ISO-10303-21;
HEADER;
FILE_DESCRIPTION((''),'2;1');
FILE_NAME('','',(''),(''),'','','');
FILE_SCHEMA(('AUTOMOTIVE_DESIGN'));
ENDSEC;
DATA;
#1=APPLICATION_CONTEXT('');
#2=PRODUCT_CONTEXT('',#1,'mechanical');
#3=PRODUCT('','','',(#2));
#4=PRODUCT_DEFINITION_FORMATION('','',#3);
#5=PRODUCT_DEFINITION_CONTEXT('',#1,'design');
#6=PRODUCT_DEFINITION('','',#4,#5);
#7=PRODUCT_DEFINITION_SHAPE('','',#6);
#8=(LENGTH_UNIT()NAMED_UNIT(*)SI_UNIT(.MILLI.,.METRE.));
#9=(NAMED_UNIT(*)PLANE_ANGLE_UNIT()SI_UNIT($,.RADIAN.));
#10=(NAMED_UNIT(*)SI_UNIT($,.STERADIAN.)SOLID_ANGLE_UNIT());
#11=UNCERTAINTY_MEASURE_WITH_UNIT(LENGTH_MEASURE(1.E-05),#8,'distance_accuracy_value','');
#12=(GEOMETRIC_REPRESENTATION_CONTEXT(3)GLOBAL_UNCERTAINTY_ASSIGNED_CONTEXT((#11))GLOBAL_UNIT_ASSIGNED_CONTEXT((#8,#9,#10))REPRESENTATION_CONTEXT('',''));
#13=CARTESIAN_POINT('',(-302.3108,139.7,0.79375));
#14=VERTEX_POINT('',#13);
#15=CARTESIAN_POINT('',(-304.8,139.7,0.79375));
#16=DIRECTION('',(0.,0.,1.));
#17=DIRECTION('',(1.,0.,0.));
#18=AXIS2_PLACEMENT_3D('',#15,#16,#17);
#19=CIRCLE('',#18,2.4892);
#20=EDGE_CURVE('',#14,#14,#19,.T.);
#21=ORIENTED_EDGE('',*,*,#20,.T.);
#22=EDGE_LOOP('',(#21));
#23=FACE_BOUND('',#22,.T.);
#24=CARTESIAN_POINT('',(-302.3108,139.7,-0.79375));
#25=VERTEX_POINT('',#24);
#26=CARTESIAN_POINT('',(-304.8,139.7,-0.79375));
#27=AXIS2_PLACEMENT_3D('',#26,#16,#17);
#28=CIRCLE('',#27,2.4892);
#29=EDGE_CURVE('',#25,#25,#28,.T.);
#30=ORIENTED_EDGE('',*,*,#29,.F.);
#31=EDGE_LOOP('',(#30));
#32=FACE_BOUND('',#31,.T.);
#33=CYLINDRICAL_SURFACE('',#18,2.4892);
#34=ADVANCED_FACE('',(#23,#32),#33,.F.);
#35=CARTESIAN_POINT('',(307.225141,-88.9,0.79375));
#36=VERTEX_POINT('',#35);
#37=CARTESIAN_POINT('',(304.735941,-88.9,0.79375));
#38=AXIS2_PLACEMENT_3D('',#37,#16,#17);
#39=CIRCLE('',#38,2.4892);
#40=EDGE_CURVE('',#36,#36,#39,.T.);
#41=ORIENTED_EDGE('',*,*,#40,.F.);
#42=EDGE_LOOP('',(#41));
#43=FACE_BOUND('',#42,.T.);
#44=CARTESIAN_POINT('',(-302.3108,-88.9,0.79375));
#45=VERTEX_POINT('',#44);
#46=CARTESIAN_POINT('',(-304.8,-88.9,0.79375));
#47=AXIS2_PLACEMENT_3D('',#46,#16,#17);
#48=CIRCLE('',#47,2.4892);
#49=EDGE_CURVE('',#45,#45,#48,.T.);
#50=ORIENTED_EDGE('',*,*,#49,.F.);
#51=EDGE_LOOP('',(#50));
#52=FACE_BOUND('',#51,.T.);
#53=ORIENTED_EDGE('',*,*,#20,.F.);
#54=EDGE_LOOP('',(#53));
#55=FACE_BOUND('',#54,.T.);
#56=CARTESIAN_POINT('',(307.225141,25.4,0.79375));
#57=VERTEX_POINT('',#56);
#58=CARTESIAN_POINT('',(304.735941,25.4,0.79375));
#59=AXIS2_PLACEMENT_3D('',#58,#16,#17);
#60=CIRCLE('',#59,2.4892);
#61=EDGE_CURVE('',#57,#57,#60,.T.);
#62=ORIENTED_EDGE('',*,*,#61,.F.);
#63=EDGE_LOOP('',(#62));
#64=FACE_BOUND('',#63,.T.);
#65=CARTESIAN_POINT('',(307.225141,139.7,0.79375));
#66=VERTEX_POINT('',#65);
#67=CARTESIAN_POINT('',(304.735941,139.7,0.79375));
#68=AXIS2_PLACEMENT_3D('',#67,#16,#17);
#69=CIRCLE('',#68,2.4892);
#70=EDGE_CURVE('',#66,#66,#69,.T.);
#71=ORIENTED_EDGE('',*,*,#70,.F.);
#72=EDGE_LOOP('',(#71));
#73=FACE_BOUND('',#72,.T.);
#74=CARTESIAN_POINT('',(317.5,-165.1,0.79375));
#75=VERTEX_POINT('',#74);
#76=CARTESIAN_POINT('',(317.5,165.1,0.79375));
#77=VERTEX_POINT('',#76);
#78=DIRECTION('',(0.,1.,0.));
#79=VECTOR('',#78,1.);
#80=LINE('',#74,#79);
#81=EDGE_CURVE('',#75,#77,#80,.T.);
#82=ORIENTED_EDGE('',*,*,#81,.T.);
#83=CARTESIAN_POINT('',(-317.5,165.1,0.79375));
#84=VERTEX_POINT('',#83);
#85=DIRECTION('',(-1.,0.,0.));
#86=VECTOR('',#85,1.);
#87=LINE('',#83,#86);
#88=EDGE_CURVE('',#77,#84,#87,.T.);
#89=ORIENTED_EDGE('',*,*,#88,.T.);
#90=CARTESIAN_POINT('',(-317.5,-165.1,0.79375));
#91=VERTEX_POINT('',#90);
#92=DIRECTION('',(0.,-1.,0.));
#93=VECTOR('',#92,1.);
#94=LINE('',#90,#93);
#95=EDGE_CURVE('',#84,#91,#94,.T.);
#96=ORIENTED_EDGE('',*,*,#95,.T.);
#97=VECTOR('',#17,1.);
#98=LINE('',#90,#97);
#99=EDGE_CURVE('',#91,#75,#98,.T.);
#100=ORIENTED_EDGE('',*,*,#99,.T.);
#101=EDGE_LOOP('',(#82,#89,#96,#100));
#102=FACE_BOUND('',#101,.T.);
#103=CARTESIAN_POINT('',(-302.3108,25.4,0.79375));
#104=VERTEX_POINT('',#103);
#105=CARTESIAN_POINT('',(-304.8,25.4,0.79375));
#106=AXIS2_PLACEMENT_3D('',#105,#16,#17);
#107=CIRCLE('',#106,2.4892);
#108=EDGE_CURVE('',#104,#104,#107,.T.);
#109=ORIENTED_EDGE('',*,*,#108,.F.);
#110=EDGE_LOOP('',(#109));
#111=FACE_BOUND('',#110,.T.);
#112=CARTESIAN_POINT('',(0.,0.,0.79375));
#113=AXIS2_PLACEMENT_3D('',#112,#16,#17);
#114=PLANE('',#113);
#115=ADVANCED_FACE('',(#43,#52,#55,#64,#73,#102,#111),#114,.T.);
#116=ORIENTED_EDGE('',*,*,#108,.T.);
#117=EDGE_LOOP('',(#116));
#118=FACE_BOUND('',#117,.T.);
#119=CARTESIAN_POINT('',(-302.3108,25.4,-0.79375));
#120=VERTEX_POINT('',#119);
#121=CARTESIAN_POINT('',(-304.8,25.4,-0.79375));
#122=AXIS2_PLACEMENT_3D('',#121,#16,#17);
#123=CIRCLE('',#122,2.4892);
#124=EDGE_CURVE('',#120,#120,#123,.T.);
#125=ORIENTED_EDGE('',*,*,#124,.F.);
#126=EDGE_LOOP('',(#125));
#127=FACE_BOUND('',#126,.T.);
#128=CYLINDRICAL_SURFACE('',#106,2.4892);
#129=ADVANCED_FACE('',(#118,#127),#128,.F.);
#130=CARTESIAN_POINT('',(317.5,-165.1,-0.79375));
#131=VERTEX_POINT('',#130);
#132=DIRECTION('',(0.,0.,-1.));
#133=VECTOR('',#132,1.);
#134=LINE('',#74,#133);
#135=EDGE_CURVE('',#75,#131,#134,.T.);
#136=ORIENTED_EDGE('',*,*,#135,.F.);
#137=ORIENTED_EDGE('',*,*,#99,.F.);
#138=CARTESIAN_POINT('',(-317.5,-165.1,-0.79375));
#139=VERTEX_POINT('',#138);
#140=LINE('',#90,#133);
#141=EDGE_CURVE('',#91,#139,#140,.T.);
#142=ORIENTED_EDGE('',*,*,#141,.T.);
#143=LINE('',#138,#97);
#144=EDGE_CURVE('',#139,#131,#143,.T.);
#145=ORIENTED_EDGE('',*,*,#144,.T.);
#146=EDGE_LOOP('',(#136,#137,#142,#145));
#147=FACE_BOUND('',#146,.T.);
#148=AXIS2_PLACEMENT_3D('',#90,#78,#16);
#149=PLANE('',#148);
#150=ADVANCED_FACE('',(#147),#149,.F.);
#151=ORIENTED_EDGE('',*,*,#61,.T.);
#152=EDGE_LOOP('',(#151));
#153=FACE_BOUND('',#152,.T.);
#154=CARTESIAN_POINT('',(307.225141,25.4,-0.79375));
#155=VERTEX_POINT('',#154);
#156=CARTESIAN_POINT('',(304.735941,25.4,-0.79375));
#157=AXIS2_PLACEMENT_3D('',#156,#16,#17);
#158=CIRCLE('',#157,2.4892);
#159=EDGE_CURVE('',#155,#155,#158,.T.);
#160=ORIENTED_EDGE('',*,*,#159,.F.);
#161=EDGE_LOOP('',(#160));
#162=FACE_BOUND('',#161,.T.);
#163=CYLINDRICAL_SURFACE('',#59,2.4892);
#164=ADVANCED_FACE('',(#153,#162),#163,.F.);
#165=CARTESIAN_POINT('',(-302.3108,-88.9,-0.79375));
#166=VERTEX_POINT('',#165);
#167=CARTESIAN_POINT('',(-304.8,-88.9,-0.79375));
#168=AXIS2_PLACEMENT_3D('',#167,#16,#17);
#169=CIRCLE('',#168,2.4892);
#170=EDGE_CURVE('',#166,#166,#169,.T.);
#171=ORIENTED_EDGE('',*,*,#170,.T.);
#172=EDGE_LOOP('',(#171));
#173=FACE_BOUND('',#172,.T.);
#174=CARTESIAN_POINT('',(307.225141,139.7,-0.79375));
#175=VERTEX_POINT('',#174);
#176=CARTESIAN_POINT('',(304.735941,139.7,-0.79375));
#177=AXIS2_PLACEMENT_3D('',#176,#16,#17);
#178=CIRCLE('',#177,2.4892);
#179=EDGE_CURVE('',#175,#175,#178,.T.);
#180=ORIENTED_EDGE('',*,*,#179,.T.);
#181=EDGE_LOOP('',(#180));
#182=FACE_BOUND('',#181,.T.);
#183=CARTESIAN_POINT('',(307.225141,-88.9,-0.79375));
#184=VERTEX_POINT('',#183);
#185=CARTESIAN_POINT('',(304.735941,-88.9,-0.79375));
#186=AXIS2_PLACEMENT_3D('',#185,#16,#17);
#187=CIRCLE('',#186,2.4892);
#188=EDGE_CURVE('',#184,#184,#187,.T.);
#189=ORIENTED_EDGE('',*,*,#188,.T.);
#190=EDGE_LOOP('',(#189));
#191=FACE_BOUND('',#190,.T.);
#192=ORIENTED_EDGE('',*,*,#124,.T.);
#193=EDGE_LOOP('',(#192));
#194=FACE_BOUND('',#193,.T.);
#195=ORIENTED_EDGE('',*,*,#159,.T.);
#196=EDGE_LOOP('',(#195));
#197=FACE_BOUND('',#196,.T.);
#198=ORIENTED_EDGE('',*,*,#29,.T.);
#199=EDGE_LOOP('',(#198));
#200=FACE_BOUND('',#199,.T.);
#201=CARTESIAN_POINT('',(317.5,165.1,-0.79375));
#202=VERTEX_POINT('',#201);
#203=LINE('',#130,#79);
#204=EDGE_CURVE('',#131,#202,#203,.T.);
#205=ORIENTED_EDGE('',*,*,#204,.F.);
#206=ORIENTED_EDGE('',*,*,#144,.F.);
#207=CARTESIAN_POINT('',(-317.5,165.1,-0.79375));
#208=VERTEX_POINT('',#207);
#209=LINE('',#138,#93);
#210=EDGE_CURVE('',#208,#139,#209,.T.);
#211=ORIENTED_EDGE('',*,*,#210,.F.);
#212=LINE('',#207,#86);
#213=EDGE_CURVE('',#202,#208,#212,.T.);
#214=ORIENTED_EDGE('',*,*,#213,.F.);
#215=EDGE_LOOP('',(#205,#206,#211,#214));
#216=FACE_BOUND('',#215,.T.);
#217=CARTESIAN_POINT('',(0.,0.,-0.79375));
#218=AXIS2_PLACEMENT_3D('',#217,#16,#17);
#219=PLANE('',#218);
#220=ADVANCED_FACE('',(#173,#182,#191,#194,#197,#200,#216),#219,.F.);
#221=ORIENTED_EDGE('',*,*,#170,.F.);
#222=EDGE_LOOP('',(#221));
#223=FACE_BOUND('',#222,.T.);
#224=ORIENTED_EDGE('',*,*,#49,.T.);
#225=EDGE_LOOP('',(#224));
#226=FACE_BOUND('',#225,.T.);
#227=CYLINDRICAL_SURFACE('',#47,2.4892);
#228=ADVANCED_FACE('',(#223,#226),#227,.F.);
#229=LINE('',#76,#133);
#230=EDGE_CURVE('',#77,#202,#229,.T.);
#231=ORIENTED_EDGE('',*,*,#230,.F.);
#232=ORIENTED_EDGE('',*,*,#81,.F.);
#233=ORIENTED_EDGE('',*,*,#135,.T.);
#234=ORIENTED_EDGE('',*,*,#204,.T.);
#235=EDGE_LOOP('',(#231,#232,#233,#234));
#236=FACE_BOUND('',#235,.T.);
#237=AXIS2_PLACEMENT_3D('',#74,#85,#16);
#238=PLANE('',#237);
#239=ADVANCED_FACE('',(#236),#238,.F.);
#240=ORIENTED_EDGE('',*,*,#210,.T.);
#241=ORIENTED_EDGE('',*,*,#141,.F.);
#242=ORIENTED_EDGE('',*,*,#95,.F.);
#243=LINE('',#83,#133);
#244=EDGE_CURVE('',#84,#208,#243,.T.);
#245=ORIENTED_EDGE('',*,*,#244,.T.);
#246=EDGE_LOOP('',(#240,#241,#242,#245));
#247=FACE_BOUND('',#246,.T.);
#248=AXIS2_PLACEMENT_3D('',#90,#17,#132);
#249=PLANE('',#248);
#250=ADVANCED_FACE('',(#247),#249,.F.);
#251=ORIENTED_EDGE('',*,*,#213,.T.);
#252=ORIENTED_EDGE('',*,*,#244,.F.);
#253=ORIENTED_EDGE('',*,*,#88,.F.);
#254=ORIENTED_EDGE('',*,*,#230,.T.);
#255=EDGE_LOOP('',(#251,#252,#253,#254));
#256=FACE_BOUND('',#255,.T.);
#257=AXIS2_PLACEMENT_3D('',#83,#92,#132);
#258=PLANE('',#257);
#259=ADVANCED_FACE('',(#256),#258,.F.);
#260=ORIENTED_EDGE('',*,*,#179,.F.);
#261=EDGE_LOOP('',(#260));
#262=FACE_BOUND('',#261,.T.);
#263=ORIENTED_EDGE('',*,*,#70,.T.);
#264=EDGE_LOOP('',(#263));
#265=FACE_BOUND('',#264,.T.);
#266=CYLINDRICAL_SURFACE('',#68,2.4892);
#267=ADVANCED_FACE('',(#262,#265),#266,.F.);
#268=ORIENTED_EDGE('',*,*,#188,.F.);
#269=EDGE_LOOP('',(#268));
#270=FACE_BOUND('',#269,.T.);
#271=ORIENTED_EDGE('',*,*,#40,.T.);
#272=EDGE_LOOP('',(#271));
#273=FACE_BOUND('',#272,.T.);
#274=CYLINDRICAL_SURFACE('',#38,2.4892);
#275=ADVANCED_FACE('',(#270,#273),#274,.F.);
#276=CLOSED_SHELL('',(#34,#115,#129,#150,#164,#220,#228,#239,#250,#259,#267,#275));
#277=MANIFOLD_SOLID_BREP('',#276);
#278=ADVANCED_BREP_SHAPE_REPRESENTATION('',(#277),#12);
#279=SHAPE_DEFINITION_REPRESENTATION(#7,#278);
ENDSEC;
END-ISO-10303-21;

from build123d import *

# Parameters (mm, degrees)
SKETCH3_W              = 635
SKETCH3_H              = 330.2
BOSS_EXTRUDE1_DEPTH    = 0.79375
F_10_CLEARANCE_HOLE1_D = 4.9784


with BuildPart() as part:
    # Sketch3 → Boss-Extrude1 (new, symmetric)
    with BuildSketch(Plane.XY):
        Rectangle(SKETCH3_W, SKETCH3_H)
    extrude(amount=BOSS_EXTRUDE1_DEPTH, both=True)

    # #10 Clearance Hole1 (through all)
    with Locations(Plane.XY.offset(0.79375)):
        with Locations((-304.8, 139.7), (-304.8, 25.4), (-304.8, -88.9), (304.735940926, 139.7), (304.735940926, 25.4), (304.735940926, -88.9)):
            Hole(F_10_CLEARANCE_HOLE1_D / 2)


solid = part.part
